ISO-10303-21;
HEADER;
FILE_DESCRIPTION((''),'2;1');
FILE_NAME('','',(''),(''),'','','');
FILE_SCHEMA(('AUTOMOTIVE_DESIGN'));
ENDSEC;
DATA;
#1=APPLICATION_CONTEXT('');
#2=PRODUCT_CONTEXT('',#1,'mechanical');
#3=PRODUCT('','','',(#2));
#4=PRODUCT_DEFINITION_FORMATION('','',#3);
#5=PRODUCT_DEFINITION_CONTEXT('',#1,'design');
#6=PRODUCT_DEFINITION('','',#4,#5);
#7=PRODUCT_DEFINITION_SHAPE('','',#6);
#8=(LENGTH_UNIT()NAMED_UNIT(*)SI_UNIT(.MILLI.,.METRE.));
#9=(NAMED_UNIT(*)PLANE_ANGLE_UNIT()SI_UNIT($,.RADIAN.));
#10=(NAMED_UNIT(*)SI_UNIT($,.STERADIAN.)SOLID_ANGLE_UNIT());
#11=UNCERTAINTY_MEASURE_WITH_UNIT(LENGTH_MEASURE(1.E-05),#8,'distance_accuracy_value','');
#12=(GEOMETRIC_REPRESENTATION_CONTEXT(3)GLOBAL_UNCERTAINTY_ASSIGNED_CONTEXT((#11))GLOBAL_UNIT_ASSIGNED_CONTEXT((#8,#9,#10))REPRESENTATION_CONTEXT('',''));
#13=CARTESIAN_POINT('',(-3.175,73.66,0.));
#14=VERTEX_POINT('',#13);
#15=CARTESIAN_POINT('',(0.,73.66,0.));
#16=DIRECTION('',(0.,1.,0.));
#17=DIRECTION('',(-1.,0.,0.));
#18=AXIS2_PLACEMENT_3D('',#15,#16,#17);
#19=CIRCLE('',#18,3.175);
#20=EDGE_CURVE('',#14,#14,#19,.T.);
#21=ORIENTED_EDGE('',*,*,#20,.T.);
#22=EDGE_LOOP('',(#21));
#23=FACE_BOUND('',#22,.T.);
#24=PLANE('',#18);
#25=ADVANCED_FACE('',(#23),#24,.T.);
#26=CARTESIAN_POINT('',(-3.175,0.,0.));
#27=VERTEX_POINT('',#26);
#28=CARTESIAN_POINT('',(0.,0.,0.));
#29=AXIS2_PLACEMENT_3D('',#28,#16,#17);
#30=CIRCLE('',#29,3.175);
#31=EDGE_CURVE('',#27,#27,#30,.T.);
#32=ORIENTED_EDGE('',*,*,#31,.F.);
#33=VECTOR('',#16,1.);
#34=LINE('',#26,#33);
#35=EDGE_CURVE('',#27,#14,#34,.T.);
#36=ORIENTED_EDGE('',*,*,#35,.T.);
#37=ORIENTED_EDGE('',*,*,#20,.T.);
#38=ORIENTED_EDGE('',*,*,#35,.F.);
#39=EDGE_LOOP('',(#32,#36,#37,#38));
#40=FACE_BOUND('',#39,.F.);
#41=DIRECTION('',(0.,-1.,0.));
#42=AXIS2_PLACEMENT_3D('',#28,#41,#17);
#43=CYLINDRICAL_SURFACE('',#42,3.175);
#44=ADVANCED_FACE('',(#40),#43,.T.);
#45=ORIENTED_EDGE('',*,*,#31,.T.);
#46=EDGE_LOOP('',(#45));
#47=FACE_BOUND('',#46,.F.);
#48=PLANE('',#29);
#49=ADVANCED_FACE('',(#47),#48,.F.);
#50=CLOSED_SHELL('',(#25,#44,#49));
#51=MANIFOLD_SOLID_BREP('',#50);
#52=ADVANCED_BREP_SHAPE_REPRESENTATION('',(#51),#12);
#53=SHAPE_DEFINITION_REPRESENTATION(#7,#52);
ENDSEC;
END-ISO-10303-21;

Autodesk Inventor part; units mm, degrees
ref_plane "YZ Plane" through (0, 0, 0) normal (1, 0, 0) x (0, 1, 0)
ref_plane "XZ Plane" through (0, 0, 0) normal (0, 1, 0) x (-1, 0, 0)
ref_plane "XY Plane" through (0, 0, 0) normal (0, 0, 1) x (1, 0, 0)
sketch "Sketch3" plane through (0, 0, 0) normal (0, 1, 0) x (-1, 0, 0)
  circle A0 centre (0, 0) radius 3.175
  dimension "d3" = 6.35
extrude "Extrusion2" add sketch "Sketch3" along normal blind 73.66
properties part number "Nylon Rod"
